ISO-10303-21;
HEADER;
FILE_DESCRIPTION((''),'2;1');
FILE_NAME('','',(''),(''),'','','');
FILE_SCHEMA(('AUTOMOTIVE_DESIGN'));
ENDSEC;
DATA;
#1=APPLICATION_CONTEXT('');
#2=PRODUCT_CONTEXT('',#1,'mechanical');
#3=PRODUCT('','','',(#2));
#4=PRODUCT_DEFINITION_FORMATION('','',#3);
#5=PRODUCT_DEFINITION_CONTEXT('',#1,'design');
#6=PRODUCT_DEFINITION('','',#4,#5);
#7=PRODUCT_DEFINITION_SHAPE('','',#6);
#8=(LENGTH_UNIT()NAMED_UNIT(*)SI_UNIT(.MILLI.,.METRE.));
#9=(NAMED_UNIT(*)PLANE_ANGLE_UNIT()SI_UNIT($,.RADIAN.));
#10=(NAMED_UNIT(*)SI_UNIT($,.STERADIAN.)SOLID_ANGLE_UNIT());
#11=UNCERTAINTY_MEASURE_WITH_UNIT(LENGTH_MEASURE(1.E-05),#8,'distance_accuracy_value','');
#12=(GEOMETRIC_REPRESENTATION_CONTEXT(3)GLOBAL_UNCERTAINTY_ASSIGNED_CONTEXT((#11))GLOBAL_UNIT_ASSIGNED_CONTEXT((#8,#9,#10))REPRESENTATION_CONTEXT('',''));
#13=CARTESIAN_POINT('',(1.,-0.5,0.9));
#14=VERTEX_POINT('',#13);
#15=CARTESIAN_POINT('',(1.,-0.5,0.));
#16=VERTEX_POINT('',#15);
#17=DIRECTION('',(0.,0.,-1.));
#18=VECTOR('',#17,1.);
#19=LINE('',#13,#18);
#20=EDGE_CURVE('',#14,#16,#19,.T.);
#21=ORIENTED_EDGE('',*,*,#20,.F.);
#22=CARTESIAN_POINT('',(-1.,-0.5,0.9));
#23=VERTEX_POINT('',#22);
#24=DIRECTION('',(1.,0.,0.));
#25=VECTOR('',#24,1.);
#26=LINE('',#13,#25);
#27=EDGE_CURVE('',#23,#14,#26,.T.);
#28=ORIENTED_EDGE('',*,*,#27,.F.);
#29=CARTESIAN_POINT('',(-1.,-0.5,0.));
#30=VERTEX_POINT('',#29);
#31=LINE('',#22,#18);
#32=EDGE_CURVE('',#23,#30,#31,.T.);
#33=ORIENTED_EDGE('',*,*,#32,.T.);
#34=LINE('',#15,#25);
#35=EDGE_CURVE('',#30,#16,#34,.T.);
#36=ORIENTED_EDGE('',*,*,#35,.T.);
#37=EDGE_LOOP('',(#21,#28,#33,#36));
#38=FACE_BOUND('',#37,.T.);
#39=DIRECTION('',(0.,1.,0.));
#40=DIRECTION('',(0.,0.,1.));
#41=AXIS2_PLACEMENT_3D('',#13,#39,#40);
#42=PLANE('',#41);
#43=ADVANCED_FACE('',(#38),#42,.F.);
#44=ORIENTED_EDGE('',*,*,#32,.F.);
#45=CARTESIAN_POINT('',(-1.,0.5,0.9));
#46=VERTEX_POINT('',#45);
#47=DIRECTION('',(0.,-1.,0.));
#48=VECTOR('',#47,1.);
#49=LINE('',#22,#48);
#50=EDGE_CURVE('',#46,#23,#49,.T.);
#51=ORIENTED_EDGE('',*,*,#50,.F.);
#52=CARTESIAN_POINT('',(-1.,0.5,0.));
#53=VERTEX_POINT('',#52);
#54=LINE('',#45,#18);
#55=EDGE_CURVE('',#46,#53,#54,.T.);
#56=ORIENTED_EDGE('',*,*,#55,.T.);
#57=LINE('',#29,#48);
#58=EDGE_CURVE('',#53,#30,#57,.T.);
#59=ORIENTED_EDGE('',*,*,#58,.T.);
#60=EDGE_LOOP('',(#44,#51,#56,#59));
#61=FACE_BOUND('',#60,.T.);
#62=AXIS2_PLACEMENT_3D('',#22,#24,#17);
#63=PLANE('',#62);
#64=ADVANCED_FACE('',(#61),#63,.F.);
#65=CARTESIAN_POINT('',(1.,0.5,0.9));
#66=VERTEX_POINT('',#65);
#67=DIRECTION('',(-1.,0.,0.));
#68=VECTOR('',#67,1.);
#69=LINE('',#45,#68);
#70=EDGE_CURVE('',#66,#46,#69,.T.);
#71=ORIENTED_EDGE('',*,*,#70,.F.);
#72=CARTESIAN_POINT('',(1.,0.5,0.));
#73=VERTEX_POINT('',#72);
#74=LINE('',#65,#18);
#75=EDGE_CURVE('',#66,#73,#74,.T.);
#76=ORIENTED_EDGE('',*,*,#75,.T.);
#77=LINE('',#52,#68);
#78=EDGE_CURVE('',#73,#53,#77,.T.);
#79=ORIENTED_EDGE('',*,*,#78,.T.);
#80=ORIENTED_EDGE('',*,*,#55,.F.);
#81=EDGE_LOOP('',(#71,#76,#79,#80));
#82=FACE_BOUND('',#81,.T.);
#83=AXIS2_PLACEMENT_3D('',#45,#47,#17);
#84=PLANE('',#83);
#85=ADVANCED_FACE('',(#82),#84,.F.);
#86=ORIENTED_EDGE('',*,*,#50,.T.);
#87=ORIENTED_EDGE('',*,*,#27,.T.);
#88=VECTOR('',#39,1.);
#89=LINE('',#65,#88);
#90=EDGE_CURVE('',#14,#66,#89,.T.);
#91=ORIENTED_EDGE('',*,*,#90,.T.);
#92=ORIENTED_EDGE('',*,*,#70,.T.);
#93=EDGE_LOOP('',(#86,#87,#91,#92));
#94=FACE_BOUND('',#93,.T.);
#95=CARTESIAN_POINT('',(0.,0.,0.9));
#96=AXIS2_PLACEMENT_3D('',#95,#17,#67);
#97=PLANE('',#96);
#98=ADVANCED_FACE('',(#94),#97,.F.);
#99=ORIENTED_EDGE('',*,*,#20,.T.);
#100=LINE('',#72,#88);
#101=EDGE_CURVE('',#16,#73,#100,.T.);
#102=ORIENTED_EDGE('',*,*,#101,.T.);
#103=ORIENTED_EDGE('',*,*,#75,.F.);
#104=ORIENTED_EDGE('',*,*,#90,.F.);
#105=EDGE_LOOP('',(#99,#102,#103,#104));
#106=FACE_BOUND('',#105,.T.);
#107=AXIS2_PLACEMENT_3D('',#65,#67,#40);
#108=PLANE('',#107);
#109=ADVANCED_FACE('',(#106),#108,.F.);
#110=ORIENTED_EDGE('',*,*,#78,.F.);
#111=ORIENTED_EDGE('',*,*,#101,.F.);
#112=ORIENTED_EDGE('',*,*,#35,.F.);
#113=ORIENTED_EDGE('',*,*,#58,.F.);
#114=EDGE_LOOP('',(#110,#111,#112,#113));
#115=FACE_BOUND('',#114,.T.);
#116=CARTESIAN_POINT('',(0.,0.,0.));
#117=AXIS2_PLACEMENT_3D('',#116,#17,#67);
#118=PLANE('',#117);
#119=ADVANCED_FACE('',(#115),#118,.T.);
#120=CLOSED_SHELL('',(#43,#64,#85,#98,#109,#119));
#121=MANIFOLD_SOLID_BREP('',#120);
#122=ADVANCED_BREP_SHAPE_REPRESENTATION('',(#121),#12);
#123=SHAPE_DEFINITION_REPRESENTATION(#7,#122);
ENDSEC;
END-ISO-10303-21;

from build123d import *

# Parameters (mm, degrees)
SKETCH_1_W              = 2
SKETCH_1_H              = 1
COMPONENT_OUTLINE_DEPTH = 0.9


with BuildPart() as part:
    # 草图1 → Component_Outline (new body)
    with BuildSketch(Plane.XY):
        Rectangle(SKETCH_1_W, SKETCH_1_H)
    extrude(amount=COMPONENT_OUTLINE_DEPTH)


solid = part.part
